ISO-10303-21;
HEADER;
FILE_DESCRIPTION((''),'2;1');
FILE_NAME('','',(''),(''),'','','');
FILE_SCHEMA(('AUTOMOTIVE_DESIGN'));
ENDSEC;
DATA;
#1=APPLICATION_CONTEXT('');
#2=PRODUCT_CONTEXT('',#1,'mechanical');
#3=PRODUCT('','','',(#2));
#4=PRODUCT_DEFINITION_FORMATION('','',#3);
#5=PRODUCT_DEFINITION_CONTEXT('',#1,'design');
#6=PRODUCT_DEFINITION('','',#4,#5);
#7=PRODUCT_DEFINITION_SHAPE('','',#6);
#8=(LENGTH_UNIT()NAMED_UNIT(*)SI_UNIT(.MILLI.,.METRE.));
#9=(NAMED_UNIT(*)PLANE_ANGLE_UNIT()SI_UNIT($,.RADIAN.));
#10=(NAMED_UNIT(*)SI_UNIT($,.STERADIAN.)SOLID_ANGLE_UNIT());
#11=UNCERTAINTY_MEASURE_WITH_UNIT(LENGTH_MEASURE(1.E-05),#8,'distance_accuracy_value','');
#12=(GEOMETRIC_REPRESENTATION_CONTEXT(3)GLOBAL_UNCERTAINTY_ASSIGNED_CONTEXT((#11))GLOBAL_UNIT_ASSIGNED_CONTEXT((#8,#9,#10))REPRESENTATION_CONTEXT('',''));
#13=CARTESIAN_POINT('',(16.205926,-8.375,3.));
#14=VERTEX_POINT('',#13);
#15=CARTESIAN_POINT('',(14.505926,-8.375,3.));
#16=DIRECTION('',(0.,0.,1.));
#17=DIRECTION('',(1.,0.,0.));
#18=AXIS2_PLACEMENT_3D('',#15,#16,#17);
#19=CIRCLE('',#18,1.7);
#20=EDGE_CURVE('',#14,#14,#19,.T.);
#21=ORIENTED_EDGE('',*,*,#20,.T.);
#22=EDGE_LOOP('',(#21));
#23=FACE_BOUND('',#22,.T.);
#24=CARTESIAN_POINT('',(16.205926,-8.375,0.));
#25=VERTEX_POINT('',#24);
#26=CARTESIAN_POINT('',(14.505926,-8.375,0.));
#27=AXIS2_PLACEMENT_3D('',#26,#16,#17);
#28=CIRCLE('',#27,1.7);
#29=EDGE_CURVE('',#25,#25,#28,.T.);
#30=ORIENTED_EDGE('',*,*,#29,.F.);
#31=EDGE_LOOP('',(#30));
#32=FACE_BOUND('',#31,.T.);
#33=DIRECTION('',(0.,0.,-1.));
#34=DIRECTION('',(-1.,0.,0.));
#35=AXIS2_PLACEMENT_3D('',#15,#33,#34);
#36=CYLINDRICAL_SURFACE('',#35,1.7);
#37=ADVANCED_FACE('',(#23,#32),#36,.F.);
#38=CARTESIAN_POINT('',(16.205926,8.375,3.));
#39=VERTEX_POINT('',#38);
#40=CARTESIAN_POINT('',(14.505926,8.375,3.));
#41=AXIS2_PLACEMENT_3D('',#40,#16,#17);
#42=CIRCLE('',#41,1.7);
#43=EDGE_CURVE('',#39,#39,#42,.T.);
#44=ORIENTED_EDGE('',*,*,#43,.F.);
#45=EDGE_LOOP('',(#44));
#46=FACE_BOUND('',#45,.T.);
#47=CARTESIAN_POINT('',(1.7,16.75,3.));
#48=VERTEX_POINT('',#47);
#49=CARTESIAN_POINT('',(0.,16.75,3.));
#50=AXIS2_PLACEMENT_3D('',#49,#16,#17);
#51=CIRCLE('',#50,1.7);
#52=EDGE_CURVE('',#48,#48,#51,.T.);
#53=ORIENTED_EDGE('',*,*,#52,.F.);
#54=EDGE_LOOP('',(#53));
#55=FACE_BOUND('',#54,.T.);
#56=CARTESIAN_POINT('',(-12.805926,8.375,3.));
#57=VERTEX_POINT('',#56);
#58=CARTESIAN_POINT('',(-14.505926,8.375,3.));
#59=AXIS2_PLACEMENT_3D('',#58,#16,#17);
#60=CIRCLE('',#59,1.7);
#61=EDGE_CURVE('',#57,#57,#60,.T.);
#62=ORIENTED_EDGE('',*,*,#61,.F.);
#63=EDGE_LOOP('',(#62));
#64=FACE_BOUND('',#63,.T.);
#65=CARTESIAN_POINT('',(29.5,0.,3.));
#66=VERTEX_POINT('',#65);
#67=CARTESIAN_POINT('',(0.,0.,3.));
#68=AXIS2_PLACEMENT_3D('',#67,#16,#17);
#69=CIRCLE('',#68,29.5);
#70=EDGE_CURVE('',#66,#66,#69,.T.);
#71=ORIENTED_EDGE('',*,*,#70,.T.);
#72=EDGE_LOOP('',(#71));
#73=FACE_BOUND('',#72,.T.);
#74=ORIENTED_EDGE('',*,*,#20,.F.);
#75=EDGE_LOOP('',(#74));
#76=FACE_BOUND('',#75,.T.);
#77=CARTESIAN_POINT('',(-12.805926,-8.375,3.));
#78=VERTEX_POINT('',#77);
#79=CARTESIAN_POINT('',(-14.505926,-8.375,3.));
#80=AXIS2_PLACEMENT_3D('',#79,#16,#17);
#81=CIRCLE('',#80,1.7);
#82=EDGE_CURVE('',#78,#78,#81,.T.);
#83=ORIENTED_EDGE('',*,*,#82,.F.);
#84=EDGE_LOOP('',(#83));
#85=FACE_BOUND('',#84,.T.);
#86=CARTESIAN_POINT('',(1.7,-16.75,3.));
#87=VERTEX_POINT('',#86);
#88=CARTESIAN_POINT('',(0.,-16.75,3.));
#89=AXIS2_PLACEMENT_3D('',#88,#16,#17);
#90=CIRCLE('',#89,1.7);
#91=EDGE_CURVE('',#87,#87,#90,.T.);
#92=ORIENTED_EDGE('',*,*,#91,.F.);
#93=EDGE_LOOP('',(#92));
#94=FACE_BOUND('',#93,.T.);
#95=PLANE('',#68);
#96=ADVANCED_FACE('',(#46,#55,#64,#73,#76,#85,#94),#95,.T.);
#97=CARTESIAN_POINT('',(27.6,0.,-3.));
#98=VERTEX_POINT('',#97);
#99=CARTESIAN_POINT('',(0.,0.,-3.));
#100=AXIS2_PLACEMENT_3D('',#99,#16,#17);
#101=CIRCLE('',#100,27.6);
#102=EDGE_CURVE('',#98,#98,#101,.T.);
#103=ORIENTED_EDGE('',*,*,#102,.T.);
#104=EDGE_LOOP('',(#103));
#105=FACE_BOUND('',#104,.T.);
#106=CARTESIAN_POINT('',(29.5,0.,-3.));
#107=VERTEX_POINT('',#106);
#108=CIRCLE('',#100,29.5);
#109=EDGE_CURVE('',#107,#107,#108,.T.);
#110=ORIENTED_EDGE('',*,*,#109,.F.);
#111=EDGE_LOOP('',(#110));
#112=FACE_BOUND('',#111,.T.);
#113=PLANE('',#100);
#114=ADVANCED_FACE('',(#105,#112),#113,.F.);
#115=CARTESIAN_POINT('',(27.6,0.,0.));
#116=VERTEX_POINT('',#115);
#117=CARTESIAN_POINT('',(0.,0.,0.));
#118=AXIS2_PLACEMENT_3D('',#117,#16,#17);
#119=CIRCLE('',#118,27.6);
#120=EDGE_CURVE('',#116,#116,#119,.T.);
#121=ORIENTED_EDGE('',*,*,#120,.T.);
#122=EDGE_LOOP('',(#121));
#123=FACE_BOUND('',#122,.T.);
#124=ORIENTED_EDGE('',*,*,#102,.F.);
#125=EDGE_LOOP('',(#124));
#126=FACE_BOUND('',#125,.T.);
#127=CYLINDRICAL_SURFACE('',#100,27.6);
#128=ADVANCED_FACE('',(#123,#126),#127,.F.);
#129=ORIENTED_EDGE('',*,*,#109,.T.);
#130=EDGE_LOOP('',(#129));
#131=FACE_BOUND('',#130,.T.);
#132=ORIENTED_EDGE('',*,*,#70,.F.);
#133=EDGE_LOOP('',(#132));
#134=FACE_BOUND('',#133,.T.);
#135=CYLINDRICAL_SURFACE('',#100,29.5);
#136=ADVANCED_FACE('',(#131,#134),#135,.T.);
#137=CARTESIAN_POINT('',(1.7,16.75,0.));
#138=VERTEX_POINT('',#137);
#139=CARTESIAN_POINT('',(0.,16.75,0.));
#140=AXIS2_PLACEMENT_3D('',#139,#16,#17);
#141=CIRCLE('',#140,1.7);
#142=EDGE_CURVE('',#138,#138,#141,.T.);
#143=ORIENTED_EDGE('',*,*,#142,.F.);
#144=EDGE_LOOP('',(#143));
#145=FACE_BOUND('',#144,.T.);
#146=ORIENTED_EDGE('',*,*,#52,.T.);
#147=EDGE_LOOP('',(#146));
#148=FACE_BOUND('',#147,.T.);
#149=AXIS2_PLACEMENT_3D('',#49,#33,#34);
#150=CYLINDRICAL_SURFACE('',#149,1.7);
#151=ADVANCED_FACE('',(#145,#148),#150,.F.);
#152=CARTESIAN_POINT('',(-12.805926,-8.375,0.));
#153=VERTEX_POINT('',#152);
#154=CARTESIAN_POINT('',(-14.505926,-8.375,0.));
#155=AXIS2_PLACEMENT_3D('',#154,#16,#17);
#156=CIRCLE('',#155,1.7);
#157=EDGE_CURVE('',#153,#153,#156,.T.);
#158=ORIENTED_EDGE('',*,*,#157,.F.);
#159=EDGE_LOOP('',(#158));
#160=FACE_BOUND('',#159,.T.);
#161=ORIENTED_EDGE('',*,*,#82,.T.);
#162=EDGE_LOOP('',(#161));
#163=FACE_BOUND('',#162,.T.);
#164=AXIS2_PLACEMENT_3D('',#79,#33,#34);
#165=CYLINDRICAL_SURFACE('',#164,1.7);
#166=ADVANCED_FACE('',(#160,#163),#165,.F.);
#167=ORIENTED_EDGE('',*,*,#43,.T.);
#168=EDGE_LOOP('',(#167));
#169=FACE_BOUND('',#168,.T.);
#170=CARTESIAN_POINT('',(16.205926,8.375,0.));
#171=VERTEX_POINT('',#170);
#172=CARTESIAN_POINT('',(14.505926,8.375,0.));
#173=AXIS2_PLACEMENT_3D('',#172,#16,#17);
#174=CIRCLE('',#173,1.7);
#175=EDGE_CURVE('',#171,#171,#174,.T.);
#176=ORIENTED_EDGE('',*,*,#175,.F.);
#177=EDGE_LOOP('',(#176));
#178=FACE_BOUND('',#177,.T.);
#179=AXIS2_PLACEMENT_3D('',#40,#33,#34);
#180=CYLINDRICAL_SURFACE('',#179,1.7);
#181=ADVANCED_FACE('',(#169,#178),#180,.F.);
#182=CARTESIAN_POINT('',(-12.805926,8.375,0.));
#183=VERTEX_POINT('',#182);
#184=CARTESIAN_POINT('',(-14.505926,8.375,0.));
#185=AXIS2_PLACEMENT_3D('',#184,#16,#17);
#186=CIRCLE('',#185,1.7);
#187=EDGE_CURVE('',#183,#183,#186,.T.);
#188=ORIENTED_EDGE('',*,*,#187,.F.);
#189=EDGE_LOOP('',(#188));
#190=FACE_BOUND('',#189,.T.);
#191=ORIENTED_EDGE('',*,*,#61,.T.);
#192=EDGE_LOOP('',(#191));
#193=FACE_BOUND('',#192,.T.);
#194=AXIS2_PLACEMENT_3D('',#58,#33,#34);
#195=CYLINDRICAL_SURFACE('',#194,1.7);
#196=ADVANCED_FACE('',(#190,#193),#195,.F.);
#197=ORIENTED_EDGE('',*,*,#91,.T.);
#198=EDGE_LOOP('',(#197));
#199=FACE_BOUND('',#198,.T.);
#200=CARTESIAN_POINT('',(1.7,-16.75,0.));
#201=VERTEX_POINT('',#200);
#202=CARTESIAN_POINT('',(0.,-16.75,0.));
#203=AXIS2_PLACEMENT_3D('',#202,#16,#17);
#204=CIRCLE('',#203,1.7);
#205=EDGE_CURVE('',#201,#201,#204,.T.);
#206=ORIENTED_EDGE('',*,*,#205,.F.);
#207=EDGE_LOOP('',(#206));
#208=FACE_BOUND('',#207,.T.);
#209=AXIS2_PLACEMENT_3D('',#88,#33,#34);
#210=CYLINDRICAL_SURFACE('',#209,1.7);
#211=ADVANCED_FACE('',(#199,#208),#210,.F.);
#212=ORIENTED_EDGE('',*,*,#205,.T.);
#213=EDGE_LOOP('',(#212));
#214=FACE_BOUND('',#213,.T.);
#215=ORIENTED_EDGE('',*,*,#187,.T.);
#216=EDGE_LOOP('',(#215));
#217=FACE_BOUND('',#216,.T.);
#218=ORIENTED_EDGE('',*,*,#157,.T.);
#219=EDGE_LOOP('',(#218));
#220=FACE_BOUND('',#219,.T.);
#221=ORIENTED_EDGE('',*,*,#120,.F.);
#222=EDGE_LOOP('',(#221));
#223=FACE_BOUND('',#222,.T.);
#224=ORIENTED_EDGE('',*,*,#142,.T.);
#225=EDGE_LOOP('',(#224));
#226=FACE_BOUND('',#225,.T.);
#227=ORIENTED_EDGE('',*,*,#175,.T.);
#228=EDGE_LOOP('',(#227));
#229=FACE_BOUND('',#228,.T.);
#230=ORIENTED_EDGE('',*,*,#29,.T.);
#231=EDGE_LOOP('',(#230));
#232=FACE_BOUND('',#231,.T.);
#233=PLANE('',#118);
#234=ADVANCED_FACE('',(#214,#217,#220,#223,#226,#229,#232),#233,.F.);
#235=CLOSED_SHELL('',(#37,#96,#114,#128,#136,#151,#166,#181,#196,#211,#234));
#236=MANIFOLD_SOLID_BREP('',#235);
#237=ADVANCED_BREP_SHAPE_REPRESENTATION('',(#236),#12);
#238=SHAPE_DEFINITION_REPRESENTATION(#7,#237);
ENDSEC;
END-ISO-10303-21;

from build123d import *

# Parameters (mm, degrees)
SKETCH_1_R      = 27.6
SKETCH_1_R_2    = 1.7
EXTRUDE_1_DEPTH = 3
EXTRUDE_START   = -6
SKETCH_2_R      = 29.5
SKETCH_2_R_2    = 27.6
EXTRUDE_2_DEPTH = 6


with BuildPart() as part:
    # 草图1 → 凸台-拉伸1 (new body)
    with BuildSketch(Plane.XY):
        Circle(SKETCH_1_R)
        with Locations((-14.505925513, -8.375)):
            Circle(SKETCH_1_R_2, mode=Mode.SUBTRACT)
        with Locations((-14.505925513, 8.375)):
            Circle(SKETCH_1_R_2, mode=Mode.SUBTRACT)
        with Locations((0, 16.75)):
            Circle(SKETCH_1_R_2, mode=Mode.SUBTRACT)
        with Locations((14.505925513, 8.375)):
            Circle(SKETCH_1_R_2, mode=Mode.SUBTRACT)
        with Locations((14.505925513, -8.375)):
            Circle(SKETCH_1_R_2, mode=Mode.SUBTRACT)
        with Locations((0, -16.75)):
            Circle(SKETCH_1_R_2, mode=Mode.SUBTRACT)
    extrude(amount=EXTRUDE_1_DEPTH)

    # 草图2 → 凸台-拉伸2 (add)
    with BuildSketch(Plane.XY.offset(3).offset(EXTRUDE_START)):
        Circle(SKETCH_2_R)
        Circle(SKETCH_2_R_2, mode=Mode.SUBTRACT)
    extrude(amount=EXTRUDE_2_DEPTH)


solid = part.part
